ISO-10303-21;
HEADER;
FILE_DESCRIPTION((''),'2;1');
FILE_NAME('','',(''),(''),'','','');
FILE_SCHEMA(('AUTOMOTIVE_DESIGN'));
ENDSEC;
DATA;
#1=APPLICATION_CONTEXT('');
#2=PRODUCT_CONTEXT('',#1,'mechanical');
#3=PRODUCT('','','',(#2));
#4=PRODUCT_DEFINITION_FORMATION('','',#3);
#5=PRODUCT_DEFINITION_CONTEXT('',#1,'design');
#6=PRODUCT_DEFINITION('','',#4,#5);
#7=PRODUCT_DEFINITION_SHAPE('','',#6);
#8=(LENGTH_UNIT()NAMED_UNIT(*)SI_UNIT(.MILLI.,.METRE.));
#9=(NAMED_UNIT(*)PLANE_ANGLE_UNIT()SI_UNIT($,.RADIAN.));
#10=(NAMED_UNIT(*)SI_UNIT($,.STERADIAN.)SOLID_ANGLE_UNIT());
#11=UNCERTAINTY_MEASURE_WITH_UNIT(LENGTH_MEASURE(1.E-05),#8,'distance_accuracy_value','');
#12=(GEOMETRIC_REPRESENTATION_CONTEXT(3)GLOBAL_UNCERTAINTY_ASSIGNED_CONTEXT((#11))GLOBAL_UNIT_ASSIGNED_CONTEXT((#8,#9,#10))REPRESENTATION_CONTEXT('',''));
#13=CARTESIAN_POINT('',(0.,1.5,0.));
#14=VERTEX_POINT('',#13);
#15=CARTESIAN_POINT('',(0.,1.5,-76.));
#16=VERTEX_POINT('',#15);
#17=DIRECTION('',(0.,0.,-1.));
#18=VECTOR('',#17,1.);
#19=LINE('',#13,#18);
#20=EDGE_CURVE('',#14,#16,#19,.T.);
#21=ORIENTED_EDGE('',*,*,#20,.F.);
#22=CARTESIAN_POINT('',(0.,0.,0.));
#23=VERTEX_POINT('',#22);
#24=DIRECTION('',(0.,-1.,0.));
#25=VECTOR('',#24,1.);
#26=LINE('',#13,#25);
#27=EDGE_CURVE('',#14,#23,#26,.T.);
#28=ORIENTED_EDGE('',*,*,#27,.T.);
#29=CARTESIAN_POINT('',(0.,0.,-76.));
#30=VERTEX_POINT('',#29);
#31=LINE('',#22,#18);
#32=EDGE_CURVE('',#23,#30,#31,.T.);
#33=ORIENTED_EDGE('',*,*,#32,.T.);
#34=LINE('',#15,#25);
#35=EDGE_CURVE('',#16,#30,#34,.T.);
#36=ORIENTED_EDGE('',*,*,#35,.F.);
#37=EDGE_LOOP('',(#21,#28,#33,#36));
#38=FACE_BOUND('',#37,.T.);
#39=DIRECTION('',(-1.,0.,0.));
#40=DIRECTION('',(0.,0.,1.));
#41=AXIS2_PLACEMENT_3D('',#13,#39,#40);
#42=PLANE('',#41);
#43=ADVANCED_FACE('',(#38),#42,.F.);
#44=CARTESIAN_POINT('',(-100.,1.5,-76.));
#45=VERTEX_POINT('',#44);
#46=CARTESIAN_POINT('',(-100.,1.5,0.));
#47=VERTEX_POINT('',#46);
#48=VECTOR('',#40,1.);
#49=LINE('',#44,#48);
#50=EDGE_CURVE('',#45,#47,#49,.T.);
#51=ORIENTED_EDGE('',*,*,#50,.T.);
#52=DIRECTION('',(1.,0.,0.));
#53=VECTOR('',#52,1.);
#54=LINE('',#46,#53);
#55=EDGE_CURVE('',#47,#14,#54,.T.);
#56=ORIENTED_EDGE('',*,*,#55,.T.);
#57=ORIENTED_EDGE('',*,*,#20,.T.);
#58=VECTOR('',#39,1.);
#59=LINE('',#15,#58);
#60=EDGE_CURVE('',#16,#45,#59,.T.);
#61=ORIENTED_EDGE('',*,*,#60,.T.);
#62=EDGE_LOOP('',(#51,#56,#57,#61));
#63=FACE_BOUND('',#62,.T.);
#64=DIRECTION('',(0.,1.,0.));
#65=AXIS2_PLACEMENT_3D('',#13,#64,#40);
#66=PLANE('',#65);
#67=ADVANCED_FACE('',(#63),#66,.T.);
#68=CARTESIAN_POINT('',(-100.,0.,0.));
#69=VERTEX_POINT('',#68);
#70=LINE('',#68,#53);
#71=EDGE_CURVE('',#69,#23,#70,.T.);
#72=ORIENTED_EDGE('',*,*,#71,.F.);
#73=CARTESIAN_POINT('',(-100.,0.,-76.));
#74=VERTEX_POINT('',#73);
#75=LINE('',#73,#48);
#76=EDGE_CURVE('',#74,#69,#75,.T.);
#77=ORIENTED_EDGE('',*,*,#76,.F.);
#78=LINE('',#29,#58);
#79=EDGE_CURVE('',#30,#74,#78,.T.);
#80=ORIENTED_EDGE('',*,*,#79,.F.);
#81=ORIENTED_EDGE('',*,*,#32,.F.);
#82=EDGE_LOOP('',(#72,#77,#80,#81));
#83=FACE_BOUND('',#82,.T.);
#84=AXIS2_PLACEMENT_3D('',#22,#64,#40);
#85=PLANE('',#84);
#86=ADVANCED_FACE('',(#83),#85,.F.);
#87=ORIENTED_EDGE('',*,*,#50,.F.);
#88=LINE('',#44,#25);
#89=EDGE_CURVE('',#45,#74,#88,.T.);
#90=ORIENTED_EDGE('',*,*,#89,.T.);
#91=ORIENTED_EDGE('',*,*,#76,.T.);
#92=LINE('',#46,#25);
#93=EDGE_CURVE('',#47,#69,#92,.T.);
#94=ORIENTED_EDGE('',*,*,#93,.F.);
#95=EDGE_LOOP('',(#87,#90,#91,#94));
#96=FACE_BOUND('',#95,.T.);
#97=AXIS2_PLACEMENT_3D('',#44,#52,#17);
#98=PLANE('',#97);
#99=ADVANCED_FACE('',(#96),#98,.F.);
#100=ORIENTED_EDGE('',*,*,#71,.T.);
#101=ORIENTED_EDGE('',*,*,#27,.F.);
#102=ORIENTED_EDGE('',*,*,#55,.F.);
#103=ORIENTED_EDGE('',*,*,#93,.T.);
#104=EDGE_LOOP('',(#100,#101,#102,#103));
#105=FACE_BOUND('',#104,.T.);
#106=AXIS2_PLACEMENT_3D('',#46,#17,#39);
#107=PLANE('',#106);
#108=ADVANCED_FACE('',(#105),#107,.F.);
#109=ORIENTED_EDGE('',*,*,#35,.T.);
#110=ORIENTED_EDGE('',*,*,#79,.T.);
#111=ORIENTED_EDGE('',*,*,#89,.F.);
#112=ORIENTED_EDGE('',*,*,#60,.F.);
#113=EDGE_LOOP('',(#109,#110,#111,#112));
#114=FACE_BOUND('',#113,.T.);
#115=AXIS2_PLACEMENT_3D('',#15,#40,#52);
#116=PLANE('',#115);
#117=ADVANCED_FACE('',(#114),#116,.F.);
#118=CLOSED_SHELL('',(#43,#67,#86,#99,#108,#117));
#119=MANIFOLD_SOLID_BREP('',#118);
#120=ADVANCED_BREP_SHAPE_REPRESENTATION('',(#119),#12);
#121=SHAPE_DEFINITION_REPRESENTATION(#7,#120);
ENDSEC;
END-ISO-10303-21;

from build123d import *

# Parameters (mm, degrees)
SKETCH1_W           = 100
SKETCH1_H           = 76
BOSS_EXTRUDE1_DEPTH = 1.5


with BuildPart() as part:
    # Sketch1 → Boss-Extrude1 (new body)
    with BuildSketch(Plane(origin=(0, 0, 0), x_dir=(1, 0, 0), z_dir=(0, 1, 0))):
        with Locations((-50, 38)):
            Rectangle(SKETCH1_W, SKETCH1_H)
    extrude(amount=BOSS_EXTRUDE1_DEPTH)


solid = part.part
